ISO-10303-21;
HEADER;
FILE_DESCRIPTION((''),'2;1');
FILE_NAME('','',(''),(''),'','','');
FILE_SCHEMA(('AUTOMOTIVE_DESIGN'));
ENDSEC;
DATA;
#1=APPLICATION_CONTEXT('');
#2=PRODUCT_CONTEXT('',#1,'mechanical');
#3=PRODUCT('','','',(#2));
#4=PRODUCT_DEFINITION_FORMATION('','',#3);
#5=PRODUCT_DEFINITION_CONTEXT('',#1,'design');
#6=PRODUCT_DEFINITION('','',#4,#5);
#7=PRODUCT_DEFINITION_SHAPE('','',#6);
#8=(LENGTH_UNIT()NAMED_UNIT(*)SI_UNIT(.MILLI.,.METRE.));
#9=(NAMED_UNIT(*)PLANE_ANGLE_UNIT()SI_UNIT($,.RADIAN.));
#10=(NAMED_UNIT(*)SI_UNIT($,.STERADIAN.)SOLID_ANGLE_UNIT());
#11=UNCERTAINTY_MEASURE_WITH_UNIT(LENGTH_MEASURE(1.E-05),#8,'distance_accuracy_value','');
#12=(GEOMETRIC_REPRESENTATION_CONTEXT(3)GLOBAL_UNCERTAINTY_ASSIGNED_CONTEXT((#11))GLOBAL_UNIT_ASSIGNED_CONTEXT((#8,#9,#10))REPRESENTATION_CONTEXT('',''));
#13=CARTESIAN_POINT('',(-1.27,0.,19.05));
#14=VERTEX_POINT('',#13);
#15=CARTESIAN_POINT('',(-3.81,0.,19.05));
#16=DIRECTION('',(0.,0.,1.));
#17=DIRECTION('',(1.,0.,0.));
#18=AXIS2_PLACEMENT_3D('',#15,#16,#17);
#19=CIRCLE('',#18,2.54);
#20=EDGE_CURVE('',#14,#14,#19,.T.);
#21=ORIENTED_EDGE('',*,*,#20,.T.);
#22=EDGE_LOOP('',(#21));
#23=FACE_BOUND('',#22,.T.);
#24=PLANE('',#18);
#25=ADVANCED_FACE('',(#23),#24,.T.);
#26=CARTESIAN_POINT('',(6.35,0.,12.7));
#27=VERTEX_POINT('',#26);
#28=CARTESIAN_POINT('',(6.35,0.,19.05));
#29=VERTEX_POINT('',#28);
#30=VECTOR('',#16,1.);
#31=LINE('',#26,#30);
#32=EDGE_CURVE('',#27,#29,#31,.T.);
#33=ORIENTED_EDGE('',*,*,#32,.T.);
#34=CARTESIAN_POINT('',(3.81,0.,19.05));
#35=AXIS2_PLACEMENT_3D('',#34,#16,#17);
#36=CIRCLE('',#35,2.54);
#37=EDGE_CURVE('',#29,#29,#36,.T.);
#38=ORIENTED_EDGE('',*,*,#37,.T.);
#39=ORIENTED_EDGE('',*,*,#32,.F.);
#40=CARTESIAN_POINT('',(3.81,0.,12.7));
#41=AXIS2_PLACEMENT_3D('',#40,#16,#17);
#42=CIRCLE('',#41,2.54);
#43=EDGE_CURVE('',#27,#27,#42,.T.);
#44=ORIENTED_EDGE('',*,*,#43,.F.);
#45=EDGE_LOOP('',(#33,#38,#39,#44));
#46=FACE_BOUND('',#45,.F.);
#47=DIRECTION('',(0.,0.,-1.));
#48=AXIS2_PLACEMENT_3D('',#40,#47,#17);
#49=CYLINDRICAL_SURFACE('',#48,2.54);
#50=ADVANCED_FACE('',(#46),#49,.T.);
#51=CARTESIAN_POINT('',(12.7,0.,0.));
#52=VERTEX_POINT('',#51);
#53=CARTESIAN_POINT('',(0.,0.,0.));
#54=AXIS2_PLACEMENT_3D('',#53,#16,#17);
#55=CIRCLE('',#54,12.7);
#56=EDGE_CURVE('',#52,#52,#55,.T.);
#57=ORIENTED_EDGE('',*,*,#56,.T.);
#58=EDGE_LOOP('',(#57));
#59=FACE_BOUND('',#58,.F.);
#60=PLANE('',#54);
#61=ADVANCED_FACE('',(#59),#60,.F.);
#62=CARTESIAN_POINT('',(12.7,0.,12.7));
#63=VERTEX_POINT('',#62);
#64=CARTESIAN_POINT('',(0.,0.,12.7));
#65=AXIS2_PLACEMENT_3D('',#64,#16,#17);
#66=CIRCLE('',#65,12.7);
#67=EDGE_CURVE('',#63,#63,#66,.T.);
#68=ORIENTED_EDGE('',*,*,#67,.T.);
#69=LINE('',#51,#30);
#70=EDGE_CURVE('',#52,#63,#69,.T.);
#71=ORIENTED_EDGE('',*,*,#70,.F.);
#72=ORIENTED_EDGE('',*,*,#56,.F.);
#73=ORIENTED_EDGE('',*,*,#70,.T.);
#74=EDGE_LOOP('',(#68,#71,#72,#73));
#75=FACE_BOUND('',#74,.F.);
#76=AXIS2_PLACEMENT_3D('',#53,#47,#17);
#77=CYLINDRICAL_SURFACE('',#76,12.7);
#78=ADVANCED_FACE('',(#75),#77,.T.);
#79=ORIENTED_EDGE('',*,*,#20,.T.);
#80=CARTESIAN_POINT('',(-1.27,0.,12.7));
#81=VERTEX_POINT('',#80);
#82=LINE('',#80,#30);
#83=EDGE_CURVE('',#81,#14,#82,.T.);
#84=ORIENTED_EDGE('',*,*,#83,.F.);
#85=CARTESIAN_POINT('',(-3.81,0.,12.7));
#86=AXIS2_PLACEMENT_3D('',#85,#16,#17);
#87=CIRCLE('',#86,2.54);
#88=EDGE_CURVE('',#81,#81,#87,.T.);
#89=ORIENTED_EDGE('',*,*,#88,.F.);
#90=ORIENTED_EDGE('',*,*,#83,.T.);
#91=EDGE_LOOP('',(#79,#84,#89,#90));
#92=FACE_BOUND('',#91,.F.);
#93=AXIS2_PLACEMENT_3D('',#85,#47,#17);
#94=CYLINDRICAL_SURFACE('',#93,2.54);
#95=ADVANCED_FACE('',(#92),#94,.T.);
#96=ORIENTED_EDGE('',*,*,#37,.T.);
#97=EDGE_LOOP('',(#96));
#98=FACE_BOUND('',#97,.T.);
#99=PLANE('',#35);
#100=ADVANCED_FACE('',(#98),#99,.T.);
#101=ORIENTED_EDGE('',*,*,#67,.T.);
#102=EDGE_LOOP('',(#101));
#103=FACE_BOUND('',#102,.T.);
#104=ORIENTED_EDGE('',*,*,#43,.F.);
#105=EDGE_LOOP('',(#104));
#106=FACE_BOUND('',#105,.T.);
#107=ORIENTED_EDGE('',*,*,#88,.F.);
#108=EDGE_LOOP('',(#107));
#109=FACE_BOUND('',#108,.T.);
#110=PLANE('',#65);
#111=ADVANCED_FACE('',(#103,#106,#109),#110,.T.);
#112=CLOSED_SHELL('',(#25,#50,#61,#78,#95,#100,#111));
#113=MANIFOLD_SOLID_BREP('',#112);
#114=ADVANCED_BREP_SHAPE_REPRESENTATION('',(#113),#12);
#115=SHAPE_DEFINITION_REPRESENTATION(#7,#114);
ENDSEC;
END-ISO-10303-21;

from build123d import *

# Parameters (mm, degrees)
F0_R     = 12.7
F1_DEPTH = 12.7
F2_R     = 2.54
F3_DEPTH = 6.35


with BuildPart() as f1:
    # F0 (on Top) → F1 (new body)
    with BuildSketch(Plane.XY):
        Circle(F0_R)
    extrude(amount=F1_DEPTH)

    # F2 (on face) → F3 (join)
    with BuildSketch(Plane.XY.offset(12.7)):
        with Locations((-3.81, 0)):
            Circle(F2_R)
        with Locations((3.81, 0)):
            Circle(F2_R)
    extrude(amount=F3_DEPTH)


solid = f1.part
